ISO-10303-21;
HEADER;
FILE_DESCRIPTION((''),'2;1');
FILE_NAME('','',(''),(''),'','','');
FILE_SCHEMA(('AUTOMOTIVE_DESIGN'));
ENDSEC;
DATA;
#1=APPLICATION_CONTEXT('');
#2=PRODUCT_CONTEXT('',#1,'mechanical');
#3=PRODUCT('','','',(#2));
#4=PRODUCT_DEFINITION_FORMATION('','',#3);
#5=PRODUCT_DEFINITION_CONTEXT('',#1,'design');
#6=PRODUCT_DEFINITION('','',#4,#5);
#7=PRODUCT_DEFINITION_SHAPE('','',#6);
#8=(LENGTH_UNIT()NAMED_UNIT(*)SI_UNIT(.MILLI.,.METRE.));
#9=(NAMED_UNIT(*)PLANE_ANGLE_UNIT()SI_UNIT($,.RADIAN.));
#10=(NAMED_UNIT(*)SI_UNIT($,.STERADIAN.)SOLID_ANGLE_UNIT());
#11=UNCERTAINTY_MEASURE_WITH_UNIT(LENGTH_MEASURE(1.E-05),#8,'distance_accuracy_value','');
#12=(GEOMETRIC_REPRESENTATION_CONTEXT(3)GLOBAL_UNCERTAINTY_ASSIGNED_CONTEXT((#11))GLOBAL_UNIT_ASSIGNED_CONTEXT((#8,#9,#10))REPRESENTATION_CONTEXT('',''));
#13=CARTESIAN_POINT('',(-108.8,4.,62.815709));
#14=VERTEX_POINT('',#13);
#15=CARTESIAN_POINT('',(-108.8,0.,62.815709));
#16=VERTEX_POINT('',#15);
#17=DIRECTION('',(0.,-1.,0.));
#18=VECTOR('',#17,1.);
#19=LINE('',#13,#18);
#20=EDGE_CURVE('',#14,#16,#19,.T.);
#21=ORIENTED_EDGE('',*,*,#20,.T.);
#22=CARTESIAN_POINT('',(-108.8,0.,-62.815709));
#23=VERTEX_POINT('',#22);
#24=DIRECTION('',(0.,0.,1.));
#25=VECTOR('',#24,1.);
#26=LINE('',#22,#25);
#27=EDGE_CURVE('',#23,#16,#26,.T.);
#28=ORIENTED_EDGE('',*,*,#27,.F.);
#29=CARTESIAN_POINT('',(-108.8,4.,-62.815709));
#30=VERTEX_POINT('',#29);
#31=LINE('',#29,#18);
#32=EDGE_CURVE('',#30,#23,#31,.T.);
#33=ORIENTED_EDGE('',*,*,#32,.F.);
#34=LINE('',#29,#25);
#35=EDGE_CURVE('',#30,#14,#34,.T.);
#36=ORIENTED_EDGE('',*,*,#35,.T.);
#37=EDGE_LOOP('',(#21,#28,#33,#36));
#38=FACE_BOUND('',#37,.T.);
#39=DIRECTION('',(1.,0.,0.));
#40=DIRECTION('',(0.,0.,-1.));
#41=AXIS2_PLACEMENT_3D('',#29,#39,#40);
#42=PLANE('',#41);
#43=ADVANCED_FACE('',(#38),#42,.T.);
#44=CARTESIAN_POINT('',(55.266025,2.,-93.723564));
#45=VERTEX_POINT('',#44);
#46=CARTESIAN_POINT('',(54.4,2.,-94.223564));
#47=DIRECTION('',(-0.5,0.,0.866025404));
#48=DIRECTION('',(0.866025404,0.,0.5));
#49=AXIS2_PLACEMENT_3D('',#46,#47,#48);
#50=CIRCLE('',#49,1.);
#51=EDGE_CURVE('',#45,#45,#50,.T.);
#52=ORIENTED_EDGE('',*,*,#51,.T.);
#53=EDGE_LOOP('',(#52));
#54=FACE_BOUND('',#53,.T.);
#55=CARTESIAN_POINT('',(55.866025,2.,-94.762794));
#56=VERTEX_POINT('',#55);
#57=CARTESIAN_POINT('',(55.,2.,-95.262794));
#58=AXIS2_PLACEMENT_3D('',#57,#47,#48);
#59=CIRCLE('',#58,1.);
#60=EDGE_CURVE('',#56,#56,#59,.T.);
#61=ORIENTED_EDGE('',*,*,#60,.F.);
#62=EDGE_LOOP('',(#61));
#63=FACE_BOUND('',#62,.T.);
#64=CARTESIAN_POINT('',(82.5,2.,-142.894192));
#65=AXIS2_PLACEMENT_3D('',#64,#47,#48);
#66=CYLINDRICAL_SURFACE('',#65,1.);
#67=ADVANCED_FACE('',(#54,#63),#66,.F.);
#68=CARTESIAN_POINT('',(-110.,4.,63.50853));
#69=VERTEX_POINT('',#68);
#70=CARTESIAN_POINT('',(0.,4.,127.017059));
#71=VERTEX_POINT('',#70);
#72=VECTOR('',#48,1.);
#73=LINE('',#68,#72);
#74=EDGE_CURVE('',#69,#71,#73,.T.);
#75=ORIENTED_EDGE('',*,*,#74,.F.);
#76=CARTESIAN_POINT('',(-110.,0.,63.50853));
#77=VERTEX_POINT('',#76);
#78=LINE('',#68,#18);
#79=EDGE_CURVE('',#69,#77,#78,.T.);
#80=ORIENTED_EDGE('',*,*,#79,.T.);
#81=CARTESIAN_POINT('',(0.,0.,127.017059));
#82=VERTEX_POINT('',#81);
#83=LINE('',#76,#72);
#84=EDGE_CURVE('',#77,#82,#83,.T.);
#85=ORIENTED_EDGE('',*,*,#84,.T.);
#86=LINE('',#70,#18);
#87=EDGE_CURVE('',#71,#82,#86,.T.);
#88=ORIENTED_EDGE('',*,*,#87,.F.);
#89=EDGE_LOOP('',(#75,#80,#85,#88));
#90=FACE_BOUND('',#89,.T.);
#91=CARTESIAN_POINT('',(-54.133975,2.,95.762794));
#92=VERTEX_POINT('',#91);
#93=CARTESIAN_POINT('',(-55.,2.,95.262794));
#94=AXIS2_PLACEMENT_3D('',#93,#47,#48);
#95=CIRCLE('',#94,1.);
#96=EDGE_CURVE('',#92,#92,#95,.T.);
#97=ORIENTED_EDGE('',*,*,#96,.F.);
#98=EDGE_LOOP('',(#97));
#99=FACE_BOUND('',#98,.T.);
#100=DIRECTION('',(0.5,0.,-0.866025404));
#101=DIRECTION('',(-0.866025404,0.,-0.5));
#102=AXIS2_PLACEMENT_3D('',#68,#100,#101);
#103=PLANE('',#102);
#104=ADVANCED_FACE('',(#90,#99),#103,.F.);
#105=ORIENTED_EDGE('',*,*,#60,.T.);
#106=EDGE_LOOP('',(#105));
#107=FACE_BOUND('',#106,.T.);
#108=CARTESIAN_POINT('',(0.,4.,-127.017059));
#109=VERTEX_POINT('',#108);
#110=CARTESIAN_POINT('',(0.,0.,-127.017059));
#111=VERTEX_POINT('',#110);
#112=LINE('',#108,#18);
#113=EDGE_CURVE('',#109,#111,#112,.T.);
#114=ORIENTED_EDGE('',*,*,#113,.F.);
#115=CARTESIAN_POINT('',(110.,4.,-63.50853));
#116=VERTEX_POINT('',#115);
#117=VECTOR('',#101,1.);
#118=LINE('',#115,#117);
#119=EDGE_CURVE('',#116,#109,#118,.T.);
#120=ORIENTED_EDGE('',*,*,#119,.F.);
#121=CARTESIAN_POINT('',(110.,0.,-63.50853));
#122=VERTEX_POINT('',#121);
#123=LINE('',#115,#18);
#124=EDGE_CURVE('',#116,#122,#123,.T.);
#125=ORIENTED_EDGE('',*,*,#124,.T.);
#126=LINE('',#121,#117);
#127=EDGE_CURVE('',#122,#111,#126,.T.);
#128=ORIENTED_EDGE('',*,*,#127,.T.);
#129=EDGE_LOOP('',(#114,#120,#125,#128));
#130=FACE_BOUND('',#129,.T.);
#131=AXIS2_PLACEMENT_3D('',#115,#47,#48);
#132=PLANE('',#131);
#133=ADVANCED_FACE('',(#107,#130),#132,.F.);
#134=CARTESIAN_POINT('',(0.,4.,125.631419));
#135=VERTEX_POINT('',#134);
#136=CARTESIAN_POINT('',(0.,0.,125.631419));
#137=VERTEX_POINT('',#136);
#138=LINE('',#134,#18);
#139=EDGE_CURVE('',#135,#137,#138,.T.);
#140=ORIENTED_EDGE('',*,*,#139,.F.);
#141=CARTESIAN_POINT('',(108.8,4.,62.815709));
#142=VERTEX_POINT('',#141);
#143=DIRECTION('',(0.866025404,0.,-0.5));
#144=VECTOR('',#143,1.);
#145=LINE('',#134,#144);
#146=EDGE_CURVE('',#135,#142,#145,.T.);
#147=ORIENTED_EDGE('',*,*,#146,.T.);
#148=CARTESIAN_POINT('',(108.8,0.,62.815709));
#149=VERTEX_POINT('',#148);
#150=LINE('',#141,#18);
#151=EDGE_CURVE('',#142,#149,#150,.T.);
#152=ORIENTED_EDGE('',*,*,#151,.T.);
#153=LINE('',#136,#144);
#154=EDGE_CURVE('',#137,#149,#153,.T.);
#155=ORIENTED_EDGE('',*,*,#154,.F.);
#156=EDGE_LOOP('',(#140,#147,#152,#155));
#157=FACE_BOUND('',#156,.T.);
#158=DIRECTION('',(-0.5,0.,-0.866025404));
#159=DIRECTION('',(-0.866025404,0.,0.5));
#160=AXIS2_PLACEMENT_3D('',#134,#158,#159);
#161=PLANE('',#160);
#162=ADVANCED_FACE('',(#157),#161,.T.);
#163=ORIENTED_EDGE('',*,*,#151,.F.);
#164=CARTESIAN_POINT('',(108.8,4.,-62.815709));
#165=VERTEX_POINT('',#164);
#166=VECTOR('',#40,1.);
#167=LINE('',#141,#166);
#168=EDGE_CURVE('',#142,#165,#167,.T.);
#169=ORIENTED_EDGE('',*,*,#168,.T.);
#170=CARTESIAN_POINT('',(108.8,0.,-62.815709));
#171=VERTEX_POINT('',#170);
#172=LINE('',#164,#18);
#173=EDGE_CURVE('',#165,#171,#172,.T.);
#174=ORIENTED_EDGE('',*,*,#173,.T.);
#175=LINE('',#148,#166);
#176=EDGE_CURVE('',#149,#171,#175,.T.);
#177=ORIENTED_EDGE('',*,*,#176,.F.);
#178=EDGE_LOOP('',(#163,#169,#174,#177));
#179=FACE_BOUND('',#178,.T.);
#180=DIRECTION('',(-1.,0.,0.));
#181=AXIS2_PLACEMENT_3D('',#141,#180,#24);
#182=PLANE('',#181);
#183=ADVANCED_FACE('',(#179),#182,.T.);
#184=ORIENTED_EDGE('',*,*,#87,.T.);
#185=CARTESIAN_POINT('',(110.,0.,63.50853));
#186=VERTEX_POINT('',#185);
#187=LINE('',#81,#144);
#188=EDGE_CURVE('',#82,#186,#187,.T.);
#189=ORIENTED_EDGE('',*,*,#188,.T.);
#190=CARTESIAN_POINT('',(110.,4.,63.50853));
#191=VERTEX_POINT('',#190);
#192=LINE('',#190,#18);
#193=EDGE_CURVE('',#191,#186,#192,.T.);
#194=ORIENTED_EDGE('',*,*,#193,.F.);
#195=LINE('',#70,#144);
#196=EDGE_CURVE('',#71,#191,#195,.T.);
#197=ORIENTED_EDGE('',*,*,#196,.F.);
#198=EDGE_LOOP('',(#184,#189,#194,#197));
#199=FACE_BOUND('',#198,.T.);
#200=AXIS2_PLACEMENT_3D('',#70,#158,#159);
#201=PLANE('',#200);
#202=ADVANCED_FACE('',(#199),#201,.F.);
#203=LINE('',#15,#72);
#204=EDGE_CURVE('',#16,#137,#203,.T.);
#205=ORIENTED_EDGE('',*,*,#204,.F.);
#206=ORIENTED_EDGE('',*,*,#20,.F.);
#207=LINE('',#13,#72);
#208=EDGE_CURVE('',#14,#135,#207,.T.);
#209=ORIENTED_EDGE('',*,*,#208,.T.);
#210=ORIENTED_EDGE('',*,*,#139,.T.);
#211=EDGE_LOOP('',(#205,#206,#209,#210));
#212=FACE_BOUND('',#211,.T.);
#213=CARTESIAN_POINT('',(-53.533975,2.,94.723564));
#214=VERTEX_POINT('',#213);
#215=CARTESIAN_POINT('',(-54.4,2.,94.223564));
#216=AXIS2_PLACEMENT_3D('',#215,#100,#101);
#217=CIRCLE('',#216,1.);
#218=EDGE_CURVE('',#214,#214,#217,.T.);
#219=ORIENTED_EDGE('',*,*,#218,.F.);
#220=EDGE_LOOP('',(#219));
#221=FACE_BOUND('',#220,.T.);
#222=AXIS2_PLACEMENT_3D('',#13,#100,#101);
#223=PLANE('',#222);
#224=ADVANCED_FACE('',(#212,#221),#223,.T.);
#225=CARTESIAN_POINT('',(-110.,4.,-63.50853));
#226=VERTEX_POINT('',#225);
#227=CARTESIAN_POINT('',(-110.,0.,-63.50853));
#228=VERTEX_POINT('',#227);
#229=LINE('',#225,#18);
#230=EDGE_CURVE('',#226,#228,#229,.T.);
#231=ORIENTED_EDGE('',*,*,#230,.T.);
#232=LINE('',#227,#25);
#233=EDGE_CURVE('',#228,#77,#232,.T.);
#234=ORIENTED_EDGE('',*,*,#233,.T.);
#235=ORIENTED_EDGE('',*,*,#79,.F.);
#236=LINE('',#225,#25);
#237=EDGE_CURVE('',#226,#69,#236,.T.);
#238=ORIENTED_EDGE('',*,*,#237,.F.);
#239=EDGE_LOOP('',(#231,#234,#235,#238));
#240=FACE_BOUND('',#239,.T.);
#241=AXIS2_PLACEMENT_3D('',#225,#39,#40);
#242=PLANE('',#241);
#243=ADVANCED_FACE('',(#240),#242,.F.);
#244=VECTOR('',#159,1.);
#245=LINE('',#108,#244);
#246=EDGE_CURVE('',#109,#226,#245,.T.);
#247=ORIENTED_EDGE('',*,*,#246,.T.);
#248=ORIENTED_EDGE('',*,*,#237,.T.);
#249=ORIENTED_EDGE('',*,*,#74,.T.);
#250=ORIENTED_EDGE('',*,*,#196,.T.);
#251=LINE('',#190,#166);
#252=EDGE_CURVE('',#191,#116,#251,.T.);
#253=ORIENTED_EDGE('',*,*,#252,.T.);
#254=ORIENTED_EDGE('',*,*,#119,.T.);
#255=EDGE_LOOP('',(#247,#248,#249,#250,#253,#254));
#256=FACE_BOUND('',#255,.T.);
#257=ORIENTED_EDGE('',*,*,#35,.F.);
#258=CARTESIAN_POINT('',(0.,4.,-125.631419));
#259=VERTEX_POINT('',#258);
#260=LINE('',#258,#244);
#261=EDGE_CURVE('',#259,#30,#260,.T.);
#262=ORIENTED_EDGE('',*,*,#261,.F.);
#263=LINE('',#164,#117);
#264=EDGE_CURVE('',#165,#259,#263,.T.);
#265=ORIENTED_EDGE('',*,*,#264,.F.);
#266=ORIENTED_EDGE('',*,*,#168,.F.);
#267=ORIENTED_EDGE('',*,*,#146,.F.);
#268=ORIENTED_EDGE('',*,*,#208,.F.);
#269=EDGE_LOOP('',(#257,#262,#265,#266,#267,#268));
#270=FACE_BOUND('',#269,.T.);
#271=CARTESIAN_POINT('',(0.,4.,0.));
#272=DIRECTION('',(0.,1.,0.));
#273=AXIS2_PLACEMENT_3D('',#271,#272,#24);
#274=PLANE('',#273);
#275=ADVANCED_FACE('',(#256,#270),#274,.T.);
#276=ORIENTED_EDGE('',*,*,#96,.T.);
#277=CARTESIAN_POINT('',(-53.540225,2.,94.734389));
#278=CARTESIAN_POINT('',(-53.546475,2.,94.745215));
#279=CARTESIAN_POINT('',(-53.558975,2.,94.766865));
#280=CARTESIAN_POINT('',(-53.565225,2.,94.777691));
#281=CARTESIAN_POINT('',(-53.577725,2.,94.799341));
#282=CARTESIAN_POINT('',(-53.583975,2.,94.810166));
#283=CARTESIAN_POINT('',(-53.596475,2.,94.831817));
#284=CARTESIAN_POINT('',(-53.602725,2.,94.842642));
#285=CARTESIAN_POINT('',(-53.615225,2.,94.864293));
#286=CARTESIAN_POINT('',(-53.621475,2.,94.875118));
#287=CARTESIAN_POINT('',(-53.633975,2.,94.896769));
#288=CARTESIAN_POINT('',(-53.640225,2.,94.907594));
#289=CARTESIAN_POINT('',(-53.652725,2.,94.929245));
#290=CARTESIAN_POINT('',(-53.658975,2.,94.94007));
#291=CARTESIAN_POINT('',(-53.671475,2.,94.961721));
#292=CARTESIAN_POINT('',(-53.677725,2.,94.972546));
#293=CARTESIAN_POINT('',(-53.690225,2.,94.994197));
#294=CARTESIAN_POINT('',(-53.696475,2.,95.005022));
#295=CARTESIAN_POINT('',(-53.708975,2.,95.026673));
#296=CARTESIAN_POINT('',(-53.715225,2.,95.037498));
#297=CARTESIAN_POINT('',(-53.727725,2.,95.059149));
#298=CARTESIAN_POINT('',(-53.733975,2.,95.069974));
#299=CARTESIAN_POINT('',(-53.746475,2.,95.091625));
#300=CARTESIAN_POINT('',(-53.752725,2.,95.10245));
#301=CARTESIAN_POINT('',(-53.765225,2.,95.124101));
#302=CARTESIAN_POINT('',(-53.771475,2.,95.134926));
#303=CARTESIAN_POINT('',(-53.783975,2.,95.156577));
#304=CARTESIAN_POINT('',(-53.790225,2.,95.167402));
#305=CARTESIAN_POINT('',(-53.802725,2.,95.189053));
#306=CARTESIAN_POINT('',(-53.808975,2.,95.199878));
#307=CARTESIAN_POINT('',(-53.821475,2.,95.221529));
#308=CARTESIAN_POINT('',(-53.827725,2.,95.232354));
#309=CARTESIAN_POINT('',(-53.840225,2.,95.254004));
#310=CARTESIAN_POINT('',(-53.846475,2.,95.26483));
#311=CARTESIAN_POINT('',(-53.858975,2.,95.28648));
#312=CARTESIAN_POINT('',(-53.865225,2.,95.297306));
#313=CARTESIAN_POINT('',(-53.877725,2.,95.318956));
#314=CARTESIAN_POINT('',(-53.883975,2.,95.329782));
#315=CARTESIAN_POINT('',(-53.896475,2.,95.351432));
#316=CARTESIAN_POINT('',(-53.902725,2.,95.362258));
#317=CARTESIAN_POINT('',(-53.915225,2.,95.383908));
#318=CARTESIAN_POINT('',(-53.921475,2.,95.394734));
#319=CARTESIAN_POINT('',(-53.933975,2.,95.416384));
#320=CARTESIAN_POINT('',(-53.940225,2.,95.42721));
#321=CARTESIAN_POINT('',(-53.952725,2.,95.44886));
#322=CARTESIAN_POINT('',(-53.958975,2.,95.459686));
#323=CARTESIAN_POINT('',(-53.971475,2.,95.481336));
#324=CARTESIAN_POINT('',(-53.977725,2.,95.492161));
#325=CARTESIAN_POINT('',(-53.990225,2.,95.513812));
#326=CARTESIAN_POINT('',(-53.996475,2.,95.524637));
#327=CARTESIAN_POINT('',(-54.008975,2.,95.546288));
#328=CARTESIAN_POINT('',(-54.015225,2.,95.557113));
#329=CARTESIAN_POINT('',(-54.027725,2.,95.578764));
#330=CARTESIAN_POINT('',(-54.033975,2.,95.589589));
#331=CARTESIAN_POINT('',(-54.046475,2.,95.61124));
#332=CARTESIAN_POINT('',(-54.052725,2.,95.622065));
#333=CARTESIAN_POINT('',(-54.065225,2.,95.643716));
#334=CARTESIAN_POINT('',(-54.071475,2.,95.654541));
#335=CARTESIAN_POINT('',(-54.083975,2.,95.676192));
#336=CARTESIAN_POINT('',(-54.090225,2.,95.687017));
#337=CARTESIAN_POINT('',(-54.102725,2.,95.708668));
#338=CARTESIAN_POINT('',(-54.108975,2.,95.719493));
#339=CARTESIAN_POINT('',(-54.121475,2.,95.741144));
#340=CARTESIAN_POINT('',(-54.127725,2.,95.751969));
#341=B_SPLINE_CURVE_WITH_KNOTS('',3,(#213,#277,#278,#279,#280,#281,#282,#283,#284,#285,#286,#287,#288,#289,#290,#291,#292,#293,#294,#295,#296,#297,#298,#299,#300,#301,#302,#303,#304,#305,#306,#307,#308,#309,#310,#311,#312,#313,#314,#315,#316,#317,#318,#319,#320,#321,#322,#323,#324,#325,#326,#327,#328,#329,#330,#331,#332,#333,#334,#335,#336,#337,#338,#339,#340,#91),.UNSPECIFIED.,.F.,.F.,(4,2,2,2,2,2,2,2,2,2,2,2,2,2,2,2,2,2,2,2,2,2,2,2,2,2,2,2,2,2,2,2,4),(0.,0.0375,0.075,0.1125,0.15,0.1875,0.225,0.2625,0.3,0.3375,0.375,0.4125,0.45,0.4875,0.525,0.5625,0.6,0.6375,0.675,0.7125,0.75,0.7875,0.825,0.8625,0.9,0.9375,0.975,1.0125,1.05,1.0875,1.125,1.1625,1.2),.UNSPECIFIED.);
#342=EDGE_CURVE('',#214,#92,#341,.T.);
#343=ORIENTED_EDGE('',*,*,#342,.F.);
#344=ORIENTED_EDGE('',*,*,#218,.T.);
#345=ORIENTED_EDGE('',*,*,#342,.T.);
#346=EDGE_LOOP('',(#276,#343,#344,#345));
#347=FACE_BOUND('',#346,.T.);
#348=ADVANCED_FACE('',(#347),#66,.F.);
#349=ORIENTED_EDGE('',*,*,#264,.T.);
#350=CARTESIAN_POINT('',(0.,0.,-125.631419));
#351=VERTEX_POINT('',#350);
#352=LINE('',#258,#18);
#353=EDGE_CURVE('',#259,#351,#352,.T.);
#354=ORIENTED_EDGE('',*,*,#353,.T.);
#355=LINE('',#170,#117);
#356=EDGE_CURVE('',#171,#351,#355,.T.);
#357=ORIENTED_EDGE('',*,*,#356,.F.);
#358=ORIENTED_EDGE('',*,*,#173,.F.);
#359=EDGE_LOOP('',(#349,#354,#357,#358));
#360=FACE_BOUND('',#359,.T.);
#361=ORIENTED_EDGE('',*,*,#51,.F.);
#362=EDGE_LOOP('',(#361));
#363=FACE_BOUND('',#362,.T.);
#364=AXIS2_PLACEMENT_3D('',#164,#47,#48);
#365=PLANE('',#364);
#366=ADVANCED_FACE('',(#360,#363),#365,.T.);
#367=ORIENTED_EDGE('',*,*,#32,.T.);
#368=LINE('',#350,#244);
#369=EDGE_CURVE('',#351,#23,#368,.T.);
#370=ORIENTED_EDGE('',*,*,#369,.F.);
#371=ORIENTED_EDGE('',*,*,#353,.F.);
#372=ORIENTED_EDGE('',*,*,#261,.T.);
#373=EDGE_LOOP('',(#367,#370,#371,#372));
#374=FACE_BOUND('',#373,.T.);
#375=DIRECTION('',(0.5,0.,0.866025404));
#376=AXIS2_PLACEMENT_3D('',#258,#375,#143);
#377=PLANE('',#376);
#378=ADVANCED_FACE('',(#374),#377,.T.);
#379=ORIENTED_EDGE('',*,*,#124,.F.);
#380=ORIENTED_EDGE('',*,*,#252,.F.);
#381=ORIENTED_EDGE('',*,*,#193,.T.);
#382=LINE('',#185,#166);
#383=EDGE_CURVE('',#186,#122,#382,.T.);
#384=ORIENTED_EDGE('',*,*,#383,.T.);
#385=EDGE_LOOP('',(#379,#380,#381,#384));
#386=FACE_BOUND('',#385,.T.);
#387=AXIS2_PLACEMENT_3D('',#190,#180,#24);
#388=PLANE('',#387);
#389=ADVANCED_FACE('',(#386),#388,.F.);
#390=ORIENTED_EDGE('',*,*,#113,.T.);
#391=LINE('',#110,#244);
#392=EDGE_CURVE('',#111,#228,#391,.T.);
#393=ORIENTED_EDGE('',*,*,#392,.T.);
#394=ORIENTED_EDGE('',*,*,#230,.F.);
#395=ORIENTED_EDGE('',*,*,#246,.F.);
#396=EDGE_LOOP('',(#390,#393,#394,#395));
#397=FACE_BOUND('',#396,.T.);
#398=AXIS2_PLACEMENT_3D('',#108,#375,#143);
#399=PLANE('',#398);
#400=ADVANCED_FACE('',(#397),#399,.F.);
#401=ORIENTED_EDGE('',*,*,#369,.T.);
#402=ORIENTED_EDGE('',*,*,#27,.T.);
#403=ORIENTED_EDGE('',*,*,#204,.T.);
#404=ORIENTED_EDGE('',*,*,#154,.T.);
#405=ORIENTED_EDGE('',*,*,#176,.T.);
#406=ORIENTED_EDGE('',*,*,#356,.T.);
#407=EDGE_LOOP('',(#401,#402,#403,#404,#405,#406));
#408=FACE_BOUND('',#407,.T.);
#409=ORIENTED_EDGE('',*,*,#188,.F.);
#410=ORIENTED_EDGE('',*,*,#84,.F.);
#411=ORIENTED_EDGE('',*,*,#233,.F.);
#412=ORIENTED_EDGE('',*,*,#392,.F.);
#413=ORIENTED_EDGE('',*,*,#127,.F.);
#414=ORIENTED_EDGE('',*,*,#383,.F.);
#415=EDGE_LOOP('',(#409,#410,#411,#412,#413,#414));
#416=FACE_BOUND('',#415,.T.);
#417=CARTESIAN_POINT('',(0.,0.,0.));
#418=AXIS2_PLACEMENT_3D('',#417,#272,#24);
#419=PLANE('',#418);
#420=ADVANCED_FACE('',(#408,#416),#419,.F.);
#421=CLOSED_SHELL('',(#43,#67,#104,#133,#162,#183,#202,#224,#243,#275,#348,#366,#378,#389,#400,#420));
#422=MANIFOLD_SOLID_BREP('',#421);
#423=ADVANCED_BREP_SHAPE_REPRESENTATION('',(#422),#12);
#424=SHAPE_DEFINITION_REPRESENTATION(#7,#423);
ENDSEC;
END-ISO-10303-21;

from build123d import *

# Parameters (mm, degrees)
RESSALTO_EXTRUS_O1_DEPTH = 4
ESBO_O2_R                = 1
CORTE_EXTRUS_O1_DEPTH    = 277.856160006


with BuildPart() as part:
    # Esboço1 → Ressalto-extrusão1 (new body)
    with BuildSketch(Plane(origin=(0, 0, 0), x_dir=(1, 0, 0), z_dir=(0, 1, 0))):
        Polygon((110, -63.508529611), (110, 63.508529611), (0, 127.017059222), (-110, 63.508529611), (-110, -63.508529611), (0, -127.017059222), align=None)
        Polygon((108.8, 62.815709288), (0, 125.631418576), (-108.8, 62.815709288), (-108.8, -62.815709288), (0, -125.631418576), (108.8, -62.815709288), align=None, mode=Mode.SUBTRACT)
    extrude(amount=RESSALTO_EXTRUS_O1_DEPTH)

    # Esboço2 → Corte-extrusão1 (cut, through all)
    with BuildSketch(Plane(origin=(-55, 0, 95.262794416), x_dir=(0.8660254037844387, 0, 0.49999999999999994), z_dir=(-0.4999999999999999, 0, 0.8660254037844386))):
        with Locations((0, 2)):
            Circle(ESBO_O2_R)
    extrude(amount=-CORTE_EXTRUS_O1_DEPTH, mode=Mode.SUBTRACT)


solid = part.part
